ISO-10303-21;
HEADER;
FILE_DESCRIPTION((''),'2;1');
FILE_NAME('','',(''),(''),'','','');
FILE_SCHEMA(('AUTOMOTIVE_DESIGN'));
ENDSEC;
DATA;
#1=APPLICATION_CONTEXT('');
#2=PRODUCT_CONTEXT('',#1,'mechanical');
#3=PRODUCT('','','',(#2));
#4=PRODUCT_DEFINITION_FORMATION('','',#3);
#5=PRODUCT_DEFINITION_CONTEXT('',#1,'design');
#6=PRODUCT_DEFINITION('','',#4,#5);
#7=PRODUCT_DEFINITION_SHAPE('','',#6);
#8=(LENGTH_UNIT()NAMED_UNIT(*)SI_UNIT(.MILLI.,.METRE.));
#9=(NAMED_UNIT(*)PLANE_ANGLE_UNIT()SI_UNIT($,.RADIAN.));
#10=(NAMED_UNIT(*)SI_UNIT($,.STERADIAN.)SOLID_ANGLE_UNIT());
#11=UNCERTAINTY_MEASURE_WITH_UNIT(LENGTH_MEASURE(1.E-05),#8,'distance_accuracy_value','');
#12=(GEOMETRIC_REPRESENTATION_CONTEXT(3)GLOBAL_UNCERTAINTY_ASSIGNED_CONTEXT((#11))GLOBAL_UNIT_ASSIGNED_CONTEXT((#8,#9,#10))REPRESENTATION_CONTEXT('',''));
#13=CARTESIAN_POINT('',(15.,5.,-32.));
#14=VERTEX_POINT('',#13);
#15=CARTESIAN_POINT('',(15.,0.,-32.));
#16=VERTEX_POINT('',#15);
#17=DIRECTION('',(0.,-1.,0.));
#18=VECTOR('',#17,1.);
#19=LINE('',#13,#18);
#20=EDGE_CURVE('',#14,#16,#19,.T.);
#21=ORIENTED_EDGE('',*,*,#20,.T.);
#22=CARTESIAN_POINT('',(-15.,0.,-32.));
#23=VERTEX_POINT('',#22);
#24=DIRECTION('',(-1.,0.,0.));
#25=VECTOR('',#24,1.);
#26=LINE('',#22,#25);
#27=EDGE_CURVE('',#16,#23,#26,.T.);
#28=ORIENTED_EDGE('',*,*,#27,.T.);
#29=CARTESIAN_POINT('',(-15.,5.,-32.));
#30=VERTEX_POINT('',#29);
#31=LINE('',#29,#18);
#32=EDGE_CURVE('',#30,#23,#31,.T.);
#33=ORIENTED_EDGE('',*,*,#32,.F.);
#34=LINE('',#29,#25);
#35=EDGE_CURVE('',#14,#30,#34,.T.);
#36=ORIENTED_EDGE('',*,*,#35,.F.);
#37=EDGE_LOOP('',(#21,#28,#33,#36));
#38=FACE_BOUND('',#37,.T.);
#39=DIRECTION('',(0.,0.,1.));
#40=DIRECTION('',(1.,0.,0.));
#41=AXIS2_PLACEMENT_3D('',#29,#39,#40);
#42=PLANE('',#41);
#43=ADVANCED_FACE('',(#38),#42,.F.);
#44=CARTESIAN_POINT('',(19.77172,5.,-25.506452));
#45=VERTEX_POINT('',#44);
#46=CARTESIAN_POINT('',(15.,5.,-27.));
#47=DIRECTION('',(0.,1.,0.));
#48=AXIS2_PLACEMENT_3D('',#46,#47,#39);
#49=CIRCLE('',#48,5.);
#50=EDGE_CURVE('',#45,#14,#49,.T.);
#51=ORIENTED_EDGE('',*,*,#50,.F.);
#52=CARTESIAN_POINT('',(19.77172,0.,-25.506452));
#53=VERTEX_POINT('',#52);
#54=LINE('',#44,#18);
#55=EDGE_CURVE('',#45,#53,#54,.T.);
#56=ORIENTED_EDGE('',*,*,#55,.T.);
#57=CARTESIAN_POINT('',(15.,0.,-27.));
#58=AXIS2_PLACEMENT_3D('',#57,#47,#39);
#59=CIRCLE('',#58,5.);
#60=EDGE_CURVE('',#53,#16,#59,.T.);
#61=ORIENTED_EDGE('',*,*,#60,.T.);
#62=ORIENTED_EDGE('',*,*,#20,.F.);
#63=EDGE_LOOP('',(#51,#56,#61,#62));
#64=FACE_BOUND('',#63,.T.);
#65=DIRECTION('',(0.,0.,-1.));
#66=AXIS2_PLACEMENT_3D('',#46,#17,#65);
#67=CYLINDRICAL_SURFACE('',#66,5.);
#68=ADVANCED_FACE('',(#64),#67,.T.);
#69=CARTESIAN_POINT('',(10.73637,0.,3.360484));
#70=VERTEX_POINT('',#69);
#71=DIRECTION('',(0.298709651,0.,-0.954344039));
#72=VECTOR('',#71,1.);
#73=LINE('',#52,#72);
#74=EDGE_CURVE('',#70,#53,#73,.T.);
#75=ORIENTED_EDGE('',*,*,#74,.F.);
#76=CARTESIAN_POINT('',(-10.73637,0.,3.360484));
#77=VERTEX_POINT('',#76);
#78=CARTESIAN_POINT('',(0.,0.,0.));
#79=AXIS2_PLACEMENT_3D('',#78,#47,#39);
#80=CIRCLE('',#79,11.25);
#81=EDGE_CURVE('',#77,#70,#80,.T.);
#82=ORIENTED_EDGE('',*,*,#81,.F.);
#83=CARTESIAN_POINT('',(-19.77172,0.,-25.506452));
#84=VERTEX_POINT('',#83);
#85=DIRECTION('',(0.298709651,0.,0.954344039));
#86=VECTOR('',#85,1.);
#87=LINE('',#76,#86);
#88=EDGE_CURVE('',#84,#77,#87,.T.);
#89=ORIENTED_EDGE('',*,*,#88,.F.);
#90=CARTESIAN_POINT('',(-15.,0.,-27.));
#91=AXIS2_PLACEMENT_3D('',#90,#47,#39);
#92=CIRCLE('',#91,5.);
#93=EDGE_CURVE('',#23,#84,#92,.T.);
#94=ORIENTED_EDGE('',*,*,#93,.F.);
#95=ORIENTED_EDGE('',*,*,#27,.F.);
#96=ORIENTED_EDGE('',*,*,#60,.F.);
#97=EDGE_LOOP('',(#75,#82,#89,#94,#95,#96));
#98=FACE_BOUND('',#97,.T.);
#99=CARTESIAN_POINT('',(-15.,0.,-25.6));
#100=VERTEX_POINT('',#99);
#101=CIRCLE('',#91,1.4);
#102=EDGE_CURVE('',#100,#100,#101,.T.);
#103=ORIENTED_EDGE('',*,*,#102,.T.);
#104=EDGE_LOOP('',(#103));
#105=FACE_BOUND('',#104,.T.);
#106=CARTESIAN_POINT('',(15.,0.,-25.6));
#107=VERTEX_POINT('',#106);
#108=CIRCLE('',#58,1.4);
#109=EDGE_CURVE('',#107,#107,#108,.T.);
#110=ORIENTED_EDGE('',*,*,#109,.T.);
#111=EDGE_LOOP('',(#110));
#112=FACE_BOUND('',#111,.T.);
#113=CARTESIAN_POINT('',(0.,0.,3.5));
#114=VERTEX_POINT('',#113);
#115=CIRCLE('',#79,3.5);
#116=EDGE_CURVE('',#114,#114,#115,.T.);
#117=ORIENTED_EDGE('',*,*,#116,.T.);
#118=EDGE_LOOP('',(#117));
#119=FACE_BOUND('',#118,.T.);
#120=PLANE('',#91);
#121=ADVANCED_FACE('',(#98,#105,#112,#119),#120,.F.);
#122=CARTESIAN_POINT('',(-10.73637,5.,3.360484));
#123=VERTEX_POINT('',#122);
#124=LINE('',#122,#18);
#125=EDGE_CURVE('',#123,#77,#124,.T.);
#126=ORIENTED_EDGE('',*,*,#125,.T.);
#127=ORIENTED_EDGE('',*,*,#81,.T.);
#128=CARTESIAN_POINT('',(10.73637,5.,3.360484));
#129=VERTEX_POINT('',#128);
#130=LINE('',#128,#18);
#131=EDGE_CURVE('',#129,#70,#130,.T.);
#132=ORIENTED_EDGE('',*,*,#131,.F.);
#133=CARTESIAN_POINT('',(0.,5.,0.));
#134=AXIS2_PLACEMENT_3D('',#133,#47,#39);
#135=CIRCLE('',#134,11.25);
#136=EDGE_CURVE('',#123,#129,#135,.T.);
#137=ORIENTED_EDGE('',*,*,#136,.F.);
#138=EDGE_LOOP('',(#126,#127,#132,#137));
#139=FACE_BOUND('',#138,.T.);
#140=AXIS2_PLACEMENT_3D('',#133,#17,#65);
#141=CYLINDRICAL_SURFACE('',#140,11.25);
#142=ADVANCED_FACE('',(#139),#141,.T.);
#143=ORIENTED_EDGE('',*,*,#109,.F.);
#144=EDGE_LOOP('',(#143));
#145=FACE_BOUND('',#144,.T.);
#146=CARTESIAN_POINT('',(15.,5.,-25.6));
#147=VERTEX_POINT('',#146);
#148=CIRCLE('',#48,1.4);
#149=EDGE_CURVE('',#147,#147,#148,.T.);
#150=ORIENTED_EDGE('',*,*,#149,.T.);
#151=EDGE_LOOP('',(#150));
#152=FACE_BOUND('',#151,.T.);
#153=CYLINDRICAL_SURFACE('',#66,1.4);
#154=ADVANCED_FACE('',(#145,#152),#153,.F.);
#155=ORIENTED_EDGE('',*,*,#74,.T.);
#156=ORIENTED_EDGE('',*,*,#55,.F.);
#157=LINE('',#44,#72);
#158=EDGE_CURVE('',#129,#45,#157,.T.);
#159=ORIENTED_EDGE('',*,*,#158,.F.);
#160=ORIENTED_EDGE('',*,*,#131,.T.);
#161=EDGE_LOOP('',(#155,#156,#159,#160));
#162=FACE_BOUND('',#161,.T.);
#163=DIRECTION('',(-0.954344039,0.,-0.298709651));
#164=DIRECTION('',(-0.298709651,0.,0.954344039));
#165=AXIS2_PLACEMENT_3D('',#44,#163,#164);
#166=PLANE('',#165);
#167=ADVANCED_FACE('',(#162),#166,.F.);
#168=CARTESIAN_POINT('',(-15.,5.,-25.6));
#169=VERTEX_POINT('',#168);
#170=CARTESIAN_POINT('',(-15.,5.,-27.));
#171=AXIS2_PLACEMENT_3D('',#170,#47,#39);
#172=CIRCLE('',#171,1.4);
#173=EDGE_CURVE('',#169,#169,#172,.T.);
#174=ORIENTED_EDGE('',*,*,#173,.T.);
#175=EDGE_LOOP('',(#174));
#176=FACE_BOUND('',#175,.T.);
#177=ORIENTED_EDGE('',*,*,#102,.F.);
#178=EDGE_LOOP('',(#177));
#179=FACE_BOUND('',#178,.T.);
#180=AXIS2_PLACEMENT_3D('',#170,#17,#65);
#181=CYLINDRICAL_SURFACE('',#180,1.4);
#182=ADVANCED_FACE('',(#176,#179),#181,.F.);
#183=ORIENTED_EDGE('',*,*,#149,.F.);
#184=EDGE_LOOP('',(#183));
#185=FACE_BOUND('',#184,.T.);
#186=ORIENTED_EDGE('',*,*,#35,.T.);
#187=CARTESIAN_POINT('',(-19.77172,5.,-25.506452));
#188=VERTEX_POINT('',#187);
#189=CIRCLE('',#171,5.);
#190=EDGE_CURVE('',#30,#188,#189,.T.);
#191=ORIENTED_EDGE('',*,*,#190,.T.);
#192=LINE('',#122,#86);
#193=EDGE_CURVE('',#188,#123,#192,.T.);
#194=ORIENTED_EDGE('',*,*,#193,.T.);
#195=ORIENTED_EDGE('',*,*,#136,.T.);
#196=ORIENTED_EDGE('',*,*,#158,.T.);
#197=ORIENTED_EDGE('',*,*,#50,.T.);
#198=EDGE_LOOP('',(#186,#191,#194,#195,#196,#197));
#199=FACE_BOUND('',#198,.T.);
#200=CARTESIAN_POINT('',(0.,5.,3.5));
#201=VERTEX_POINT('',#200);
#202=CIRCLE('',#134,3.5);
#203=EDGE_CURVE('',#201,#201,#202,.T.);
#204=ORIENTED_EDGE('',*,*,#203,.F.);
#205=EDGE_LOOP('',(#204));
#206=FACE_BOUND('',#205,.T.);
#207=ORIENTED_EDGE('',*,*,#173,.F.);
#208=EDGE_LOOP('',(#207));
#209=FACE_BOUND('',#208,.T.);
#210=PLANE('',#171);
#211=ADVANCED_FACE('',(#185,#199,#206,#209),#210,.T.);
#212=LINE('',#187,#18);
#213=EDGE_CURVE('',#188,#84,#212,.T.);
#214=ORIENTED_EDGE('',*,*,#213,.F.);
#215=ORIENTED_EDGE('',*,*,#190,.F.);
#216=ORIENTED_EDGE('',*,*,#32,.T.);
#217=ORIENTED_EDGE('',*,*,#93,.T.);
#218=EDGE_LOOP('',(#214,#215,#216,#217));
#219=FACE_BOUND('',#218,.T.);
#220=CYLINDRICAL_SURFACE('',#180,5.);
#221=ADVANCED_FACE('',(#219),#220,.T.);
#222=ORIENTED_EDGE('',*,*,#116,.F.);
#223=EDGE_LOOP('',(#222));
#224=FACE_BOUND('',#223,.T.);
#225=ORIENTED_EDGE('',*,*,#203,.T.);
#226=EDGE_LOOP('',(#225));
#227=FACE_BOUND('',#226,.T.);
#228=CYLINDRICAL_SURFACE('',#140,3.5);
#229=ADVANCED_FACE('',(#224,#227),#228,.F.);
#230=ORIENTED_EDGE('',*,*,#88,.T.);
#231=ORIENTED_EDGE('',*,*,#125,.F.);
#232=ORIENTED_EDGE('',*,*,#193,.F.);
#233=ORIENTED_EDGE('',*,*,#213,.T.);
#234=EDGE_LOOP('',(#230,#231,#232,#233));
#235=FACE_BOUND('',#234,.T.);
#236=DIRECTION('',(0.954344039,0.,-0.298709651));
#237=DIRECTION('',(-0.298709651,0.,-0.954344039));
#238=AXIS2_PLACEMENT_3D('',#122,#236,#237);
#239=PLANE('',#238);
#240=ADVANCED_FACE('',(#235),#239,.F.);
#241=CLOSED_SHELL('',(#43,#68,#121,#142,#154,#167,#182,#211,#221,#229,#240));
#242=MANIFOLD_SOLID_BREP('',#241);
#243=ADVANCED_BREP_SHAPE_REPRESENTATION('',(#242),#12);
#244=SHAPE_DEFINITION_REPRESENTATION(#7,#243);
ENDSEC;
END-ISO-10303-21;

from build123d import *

# Parameters (mm, degrees)
SKETCH1_R           = 3.5
SKETCH1_R_2         = 1.4
BOSS_EXTRUDE1_DEPTH = 5


with BuildPart() as part:
    # Sketch1 → Boss-Extrude1 (new body)
    with BuildSketch(Plane(origin=(0, 0, 0), x_dir=(1, 0, 0), z_dir=(0, 1, 0))):
        with BuildLine():
            Line((-15, 32), (15, 32))
            ThreePointArc((15, 32), (19.029127777, 29.960764996), (19.771720194, 25.506451744))
            Line((19.771720194, 25.506451744), (10.736370436, -3.360483576))
            ThreePointArc((10.736370436, -3.360483576), (0, -11.25), (-10.736370436, -3.360483576))
            Line((-10.736370436, -3.360483576), (-19.771720194, 25.506451744))
            ThreePointArc((-19.771720194, 25.506451744), (-19.029127777, 29.960764996), (-15, 32))
        make_face()
        with Locations(Location((0, 0, 0), (0, 0, 270))):
            Circle(SKETCH1_R, mode=Mode.SUBTRACT)
        with Locations(Location((-15, 27, 0), (0, 0, 270))):
            Circle(SKETCH1_R_2, mode=Mode.SUBTRACT)
        with Locations(Location((15, 27, 0), (0, 0, 270))):
            Circle(SKETCH1_R_2, mode=Mode.SUBTRACT)
    extrude(amount=BOSS_EXTRUDE1_DEPTH)


solid = part.part
